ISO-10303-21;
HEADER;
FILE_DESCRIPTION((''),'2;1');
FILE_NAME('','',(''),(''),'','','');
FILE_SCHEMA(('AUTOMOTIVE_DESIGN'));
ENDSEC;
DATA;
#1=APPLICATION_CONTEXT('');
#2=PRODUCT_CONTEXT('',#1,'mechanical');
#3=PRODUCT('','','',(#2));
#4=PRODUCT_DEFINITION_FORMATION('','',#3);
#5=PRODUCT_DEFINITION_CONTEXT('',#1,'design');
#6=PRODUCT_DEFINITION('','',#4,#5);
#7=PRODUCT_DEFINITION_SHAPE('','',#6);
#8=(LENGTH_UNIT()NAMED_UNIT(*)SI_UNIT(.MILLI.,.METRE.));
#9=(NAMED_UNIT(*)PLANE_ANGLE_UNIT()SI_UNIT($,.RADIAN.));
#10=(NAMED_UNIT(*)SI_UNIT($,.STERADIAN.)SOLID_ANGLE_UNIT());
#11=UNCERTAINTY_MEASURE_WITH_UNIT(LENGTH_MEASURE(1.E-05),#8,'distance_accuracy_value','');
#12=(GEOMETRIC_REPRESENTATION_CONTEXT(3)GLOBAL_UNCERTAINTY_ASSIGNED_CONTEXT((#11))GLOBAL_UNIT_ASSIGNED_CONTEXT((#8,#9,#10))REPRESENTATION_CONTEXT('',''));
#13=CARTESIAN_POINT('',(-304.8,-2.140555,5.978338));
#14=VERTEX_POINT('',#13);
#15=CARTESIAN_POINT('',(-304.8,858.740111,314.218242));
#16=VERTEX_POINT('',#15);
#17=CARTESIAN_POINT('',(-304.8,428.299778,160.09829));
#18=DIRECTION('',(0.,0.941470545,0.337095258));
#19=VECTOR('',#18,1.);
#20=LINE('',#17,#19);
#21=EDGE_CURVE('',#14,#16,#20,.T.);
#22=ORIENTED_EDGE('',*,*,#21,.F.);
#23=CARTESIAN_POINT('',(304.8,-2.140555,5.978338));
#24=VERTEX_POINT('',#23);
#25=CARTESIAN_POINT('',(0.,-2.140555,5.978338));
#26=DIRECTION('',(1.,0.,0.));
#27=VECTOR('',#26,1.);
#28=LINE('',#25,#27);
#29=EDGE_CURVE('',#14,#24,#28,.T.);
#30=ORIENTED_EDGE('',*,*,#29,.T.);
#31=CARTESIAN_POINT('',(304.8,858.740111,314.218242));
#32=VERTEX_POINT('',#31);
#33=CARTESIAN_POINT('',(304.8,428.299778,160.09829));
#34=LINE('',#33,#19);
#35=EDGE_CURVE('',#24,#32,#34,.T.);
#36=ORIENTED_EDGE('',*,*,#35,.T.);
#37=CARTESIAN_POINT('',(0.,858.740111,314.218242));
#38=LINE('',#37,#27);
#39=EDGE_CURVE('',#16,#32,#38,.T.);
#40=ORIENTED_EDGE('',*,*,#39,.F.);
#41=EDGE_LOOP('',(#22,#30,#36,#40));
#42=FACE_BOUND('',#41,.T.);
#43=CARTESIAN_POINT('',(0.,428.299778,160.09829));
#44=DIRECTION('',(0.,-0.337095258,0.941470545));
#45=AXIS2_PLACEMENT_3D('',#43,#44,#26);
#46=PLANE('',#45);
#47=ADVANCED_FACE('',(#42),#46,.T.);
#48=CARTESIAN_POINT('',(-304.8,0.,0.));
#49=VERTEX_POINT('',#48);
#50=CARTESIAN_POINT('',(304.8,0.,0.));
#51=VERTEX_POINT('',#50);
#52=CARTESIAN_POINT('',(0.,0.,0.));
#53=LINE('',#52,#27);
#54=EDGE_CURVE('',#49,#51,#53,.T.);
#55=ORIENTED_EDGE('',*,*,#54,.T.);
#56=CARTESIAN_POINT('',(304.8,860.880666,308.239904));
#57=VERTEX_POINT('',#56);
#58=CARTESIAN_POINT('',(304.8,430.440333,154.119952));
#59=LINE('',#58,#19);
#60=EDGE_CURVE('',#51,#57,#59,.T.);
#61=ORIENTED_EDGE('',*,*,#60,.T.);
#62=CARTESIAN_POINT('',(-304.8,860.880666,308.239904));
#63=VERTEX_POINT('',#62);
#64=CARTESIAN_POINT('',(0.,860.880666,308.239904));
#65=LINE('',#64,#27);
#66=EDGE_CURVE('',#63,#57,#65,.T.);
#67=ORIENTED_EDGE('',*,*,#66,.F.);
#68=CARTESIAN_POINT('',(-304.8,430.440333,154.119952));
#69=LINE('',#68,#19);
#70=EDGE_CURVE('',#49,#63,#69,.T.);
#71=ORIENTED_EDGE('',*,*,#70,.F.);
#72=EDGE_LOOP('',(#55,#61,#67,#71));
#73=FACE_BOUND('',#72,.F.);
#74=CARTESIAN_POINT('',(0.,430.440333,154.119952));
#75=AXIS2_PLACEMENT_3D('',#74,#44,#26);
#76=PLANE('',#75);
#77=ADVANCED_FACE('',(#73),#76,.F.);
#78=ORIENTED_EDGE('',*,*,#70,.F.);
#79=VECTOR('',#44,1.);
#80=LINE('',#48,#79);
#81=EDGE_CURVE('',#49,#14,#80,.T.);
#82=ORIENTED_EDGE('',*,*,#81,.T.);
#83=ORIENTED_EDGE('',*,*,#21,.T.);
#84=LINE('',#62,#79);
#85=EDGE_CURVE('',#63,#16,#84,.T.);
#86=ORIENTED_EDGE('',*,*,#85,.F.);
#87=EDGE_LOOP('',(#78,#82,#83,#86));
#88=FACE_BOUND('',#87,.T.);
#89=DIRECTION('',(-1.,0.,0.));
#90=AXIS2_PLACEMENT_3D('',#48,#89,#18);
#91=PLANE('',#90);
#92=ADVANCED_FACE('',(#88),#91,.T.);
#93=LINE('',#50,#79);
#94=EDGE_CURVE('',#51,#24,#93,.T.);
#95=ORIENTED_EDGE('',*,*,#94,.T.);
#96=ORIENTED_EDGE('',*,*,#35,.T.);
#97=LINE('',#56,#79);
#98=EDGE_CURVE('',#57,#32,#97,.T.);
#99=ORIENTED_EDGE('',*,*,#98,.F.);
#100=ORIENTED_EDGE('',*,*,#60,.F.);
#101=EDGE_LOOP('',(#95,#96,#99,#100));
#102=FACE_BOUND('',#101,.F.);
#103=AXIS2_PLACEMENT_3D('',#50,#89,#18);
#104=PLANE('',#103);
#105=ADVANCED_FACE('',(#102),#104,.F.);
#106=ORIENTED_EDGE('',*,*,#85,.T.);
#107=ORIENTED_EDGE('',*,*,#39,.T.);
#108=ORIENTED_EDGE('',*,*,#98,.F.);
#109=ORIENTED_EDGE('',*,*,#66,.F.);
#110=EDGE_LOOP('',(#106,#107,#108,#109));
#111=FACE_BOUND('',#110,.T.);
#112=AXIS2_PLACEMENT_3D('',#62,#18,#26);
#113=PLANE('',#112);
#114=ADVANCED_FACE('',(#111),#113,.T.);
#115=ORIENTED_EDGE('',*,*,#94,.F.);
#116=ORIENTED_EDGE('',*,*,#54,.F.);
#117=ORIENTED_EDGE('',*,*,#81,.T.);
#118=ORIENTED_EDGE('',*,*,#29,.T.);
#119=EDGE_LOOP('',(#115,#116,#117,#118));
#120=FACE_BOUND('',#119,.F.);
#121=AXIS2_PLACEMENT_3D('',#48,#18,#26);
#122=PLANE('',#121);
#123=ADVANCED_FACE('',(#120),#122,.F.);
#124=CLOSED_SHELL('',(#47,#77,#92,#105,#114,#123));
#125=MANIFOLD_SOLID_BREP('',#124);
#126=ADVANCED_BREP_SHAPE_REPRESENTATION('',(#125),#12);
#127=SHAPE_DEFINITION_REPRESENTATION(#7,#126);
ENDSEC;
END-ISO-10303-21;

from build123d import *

# Parameters (mm, degrees)
F0_W     = 609.6
F0_H     = 914.4
F1_DEPTH = 6.35
F2_ANGLE = 19.7


with BuildPart() as f1:
    # F0 (on Top) → F1 (new body)
    with BuildSketch(Plane.XY):
        with Locations((0, 457.2)):
            Rectangle(F0_W, F0_H)
    extrude(amount=F1_DEPTH)


with BuildPart() as f1_1:
    # F2: moved
    add(f1.part.rotate(Axis((0, 0, 0), (1, 0, 0)), F2_ANGLE))


solid = f1_1.part
